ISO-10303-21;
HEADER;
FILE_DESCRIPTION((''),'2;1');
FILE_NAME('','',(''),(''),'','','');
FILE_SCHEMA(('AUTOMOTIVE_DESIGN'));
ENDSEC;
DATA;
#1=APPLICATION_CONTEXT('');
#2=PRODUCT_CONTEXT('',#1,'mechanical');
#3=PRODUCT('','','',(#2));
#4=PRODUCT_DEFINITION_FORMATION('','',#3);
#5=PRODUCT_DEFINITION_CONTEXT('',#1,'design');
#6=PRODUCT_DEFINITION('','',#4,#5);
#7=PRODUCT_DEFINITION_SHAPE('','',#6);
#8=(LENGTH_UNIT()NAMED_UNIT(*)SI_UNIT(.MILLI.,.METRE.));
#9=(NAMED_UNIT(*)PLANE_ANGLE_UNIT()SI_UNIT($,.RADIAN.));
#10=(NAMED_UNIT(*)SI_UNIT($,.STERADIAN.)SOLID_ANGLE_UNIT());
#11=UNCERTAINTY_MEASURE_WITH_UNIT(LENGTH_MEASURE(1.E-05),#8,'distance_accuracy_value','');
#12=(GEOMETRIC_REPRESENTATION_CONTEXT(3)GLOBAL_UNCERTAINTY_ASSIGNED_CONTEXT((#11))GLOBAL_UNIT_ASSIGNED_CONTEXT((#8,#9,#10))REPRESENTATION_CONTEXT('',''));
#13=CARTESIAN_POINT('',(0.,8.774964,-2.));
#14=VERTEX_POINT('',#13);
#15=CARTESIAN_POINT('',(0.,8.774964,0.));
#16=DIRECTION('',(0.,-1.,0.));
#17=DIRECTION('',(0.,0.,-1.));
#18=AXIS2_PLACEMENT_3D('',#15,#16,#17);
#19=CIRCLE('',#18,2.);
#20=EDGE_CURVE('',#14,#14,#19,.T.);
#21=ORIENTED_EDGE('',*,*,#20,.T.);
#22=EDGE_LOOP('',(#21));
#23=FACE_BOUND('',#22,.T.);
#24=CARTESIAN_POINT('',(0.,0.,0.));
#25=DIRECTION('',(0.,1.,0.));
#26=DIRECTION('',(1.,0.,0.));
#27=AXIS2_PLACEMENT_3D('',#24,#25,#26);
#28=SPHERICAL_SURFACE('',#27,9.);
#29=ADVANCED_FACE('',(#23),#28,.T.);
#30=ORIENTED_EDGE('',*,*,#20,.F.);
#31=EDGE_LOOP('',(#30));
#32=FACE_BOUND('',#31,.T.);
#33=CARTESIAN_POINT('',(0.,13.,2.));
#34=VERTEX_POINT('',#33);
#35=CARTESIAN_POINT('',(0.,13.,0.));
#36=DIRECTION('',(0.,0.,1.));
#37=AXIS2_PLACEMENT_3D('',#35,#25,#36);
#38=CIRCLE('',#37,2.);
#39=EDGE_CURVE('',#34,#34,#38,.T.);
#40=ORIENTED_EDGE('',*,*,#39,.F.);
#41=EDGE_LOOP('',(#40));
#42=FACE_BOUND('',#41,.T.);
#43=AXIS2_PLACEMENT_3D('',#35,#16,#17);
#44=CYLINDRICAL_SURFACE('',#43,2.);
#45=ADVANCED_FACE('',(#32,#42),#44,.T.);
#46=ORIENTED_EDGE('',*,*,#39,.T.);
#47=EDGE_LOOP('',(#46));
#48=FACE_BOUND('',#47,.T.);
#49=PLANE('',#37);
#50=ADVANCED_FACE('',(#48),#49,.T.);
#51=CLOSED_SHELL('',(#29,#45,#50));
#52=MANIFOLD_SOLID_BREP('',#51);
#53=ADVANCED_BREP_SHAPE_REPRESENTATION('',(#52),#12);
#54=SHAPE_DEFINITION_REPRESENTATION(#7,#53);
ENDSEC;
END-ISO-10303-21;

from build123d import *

# Parameters (mm, degrees)
SKETCH3_R           = 2
BOSS_EXTRUDE1_DEPTH = 13


with BuildPart() as part:
    # Sketch1 → Revolve3 (revolve)
    with BuildSketch(Plane.XY):
        with BuildLine():
            Line((0, 9), (0, -9))
            ThreePointArc((0, -9), (-9, 0), (0, 9))
        make_face()
    revolve(axis=Axis((0, 9, 0), (0, -1, 0)))

    # Sketch3 → Boss-Extrude1 (add)
    with BuildSketch(Plane(origin=(0, 0, 0), x_dir=(1, 0, 0), z_dir=(0, 1, 0))):
        Circle(SKETCH3_R)
    extrude(amount=BOSS_EXTRUDE1_DEPTH)


solid = part.part
